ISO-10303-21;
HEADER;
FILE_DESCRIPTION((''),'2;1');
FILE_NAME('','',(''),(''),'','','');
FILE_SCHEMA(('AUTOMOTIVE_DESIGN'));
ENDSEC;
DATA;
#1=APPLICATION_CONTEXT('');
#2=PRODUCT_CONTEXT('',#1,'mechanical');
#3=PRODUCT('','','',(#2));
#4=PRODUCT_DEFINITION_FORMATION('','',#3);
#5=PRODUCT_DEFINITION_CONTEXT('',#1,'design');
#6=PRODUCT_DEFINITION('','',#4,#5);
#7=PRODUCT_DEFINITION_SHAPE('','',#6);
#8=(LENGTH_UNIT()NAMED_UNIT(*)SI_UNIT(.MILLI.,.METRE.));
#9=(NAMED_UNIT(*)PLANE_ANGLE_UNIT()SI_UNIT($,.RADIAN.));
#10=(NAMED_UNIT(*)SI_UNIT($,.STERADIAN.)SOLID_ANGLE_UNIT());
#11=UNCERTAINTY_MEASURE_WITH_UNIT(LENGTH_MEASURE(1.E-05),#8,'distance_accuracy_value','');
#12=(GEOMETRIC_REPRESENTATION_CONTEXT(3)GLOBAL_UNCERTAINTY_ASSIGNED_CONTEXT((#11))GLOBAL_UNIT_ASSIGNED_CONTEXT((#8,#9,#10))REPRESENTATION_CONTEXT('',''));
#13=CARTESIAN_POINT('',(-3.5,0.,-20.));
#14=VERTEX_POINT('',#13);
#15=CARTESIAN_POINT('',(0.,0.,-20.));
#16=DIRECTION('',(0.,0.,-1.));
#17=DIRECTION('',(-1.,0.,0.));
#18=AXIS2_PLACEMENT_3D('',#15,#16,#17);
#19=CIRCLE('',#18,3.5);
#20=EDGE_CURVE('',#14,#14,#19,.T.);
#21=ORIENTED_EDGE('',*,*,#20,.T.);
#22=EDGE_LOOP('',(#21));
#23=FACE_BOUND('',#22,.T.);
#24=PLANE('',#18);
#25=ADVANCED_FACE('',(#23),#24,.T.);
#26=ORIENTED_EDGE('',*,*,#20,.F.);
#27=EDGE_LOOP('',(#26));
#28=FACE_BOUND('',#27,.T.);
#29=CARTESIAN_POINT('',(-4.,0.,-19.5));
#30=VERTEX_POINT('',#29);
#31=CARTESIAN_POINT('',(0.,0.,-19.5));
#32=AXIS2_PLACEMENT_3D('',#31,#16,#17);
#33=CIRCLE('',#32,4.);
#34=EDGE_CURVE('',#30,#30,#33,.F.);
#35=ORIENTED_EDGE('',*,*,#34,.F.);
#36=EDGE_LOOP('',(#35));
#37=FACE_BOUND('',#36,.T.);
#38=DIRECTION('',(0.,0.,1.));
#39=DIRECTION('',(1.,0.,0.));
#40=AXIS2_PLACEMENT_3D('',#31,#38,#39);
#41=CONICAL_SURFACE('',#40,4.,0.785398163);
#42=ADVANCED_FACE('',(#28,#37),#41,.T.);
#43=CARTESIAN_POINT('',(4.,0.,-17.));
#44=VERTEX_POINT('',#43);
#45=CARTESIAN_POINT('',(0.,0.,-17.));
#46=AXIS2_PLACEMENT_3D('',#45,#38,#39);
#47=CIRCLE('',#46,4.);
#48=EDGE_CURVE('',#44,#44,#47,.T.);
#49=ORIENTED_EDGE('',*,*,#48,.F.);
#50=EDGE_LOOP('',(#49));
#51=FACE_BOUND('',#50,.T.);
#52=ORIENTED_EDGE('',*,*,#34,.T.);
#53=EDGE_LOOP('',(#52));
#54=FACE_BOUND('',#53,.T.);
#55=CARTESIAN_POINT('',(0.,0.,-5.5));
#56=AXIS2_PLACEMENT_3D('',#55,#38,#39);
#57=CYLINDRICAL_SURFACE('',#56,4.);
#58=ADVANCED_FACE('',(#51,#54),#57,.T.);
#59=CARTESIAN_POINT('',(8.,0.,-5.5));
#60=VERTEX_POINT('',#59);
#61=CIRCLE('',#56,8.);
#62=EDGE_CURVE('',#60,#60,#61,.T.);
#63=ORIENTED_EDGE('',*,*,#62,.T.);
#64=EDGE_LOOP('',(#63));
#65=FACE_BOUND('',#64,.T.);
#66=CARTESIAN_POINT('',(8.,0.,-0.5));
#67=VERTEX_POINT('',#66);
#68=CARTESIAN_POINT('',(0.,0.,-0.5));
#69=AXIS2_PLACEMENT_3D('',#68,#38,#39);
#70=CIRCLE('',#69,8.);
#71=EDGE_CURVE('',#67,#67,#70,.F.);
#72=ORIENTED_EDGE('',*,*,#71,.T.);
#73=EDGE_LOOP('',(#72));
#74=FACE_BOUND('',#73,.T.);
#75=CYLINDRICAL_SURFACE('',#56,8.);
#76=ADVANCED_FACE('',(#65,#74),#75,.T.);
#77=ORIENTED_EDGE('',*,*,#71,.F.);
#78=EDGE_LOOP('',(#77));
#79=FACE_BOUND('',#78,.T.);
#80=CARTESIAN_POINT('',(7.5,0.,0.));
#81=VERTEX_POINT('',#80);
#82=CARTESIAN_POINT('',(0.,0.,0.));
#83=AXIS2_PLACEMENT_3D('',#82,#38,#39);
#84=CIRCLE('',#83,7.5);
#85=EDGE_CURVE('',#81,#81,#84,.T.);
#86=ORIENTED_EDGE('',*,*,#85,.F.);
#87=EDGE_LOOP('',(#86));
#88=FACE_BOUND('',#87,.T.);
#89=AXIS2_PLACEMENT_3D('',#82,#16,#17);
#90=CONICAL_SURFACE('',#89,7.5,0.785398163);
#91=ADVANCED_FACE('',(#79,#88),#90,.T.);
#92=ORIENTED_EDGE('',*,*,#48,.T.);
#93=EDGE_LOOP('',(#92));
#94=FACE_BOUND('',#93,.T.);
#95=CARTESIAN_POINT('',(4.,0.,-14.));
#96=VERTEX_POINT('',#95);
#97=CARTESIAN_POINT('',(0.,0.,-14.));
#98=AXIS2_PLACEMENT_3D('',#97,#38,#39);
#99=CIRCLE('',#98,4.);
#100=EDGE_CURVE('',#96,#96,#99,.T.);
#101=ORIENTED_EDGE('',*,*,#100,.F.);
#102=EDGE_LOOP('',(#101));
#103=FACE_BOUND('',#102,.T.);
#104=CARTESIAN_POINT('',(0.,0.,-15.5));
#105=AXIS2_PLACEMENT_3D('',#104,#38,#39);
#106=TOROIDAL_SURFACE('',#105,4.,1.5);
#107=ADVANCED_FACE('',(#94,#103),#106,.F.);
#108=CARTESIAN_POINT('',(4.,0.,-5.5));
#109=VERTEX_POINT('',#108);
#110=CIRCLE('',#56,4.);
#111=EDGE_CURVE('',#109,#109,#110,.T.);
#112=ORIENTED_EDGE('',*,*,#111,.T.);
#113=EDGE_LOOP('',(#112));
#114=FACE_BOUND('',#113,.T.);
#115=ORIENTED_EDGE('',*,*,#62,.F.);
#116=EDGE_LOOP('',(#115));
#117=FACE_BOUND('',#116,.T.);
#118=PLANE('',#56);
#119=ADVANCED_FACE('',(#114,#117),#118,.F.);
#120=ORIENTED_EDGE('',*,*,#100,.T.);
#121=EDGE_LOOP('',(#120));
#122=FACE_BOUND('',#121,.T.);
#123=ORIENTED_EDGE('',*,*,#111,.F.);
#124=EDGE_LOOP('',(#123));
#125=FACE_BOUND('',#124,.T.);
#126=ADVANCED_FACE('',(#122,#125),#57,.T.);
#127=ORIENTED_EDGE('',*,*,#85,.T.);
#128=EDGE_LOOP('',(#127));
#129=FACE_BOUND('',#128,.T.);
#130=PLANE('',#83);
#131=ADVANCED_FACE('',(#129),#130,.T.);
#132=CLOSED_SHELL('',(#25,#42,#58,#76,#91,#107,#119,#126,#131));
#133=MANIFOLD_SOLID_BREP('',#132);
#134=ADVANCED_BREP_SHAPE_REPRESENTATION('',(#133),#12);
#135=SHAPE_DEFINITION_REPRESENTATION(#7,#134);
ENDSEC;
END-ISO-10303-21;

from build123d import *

# Parameters (mm, degrees)
SKETCH1_W     = 5.5
SKETCH1_H     = 8
CHAMFER1_SIZE = 0.5
CHAMFER2_SIZE = 0.5


with BuildPart() as part:
    # Sketch1 → Revolve1 (revolve)
    with BuildSketch(Plane(origin=(0, 0, 0), x_dir=(0, 0, -1), z_dir=(1, 0, 0)), mode=Mode.PRIVATE) as revolve1_sk:
        with Locations((2.75, 4)):
            Rectangle(SKETCH1_W, SKETCH1_H)
        with BuildLine():
            Line((5.5, 4), (5.5, 0))
            Line((5.5, 0), (20, 0))
            Line((20, 0), (20, 4))
            Line((20, 4), (17, 4))
            ThreePointArc((17, 4), (15.5, 2.5), (14, 4))
            Line((14, 4), (5.5, 4))
        make_face()
    revolve(revolve1_sk.sketch.rotate(Axis((0, 0, -5.5), (0, 0, -1)), 90), axis=Axis((0, 0, -5.5), (0, 0, -1)))

    # Chamfer1
    chamfer1_edges = [part.edges().sort_by_distance(p)[0] for p in [
        (-8, 0, 0),
    ]]
    chamfer(chamfer1_edges, length=CHAMFER1_SIZE)

    # Chamfer2
    chamfer2_edges = [part.edges().sort_by_distance(p)[0] for p in [
        (-4, 0, -20),
    ]]
    chamfer(chamfer2_edges, length=CHAMFER2_SIZE)


solid = part.part
